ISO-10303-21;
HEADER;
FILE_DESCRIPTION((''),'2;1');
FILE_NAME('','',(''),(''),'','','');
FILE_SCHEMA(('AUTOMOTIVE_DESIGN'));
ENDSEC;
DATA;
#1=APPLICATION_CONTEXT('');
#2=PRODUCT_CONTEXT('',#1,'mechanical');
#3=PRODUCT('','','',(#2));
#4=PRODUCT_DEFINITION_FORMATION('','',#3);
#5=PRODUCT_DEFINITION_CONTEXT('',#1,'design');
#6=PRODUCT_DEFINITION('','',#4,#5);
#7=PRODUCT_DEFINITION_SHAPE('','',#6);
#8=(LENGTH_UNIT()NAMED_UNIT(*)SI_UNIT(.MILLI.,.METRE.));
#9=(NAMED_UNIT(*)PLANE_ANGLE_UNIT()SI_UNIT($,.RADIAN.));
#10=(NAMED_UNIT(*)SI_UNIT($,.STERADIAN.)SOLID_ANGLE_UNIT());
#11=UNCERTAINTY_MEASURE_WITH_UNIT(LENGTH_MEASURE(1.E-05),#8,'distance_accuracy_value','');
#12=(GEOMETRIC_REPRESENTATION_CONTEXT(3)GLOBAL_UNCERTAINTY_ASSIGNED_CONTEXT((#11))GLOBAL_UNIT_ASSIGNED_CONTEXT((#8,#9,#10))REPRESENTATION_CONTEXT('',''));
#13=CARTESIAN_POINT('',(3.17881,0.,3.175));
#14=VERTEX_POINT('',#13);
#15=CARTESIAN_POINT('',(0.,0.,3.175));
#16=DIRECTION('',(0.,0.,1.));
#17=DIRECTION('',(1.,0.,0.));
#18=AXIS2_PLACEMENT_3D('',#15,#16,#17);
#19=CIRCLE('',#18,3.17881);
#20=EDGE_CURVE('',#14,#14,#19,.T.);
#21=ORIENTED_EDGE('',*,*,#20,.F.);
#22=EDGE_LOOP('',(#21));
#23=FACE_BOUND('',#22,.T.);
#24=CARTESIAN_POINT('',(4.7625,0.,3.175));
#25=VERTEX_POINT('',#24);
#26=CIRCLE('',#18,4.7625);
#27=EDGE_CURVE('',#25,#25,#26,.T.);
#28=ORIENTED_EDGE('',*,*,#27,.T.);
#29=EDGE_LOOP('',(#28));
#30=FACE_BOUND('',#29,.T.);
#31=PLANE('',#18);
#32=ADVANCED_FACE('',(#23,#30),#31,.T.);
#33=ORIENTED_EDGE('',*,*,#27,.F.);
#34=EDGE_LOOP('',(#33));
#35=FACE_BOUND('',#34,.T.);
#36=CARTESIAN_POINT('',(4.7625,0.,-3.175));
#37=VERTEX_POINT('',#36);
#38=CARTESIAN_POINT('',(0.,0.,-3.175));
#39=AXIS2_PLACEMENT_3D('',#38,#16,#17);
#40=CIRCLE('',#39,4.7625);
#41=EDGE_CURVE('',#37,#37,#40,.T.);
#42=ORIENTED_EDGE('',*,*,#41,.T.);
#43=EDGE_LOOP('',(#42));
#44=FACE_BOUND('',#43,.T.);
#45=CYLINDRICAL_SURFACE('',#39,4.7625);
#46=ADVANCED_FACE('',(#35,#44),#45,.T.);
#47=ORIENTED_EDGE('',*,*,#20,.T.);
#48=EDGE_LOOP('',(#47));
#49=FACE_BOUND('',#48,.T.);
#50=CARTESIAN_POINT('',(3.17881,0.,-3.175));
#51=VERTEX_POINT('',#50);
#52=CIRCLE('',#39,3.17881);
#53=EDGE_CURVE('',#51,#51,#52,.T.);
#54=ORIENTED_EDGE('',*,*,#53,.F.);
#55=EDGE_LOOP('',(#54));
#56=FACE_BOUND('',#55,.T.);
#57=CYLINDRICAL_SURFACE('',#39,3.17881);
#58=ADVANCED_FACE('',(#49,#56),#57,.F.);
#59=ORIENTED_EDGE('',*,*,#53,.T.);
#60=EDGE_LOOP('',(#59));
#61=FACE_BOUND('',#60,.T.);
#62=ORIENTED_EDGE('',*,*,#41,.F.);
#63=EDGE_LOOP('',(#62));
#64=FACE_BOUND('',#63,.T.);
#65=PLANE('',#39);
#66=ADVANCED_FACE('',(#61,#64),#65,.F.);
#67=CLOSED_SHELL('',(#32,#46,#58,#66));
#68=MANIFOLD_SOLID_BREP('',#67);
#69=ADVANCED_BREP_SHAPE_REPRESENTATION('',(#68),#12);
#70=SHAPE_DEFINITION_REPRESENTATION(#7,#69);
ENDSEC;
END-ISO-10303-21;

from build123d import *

# Parameters (mm, degrees)
SKETCH3_R                = 4.7625
SKETCH3_R_2              = 3.17881
BOSS_EXTRUDE1_DEPTH      = 3.175
BOSS_EXTRUDE1_DEPTH_BACK = 3.175


with BuildPart() as part:
    # Sketch3 → Boss-Extrude1 (new body, two sides)
    with BuildSketch(Plane.XY) as boss_extrude1_sk:
        Circle(SKETCH3_R)
        Circle(SKETCH3_R_2, mode=Mode.SUBTRACT)
    extrude(amount=BOSS_EXTRUDE1_DEPTH)
    extrude(boss_extrude1_sk.sketch, amount=-BOSS_EXTRUDE1_DEPTH_BACK)


solid = part.part
